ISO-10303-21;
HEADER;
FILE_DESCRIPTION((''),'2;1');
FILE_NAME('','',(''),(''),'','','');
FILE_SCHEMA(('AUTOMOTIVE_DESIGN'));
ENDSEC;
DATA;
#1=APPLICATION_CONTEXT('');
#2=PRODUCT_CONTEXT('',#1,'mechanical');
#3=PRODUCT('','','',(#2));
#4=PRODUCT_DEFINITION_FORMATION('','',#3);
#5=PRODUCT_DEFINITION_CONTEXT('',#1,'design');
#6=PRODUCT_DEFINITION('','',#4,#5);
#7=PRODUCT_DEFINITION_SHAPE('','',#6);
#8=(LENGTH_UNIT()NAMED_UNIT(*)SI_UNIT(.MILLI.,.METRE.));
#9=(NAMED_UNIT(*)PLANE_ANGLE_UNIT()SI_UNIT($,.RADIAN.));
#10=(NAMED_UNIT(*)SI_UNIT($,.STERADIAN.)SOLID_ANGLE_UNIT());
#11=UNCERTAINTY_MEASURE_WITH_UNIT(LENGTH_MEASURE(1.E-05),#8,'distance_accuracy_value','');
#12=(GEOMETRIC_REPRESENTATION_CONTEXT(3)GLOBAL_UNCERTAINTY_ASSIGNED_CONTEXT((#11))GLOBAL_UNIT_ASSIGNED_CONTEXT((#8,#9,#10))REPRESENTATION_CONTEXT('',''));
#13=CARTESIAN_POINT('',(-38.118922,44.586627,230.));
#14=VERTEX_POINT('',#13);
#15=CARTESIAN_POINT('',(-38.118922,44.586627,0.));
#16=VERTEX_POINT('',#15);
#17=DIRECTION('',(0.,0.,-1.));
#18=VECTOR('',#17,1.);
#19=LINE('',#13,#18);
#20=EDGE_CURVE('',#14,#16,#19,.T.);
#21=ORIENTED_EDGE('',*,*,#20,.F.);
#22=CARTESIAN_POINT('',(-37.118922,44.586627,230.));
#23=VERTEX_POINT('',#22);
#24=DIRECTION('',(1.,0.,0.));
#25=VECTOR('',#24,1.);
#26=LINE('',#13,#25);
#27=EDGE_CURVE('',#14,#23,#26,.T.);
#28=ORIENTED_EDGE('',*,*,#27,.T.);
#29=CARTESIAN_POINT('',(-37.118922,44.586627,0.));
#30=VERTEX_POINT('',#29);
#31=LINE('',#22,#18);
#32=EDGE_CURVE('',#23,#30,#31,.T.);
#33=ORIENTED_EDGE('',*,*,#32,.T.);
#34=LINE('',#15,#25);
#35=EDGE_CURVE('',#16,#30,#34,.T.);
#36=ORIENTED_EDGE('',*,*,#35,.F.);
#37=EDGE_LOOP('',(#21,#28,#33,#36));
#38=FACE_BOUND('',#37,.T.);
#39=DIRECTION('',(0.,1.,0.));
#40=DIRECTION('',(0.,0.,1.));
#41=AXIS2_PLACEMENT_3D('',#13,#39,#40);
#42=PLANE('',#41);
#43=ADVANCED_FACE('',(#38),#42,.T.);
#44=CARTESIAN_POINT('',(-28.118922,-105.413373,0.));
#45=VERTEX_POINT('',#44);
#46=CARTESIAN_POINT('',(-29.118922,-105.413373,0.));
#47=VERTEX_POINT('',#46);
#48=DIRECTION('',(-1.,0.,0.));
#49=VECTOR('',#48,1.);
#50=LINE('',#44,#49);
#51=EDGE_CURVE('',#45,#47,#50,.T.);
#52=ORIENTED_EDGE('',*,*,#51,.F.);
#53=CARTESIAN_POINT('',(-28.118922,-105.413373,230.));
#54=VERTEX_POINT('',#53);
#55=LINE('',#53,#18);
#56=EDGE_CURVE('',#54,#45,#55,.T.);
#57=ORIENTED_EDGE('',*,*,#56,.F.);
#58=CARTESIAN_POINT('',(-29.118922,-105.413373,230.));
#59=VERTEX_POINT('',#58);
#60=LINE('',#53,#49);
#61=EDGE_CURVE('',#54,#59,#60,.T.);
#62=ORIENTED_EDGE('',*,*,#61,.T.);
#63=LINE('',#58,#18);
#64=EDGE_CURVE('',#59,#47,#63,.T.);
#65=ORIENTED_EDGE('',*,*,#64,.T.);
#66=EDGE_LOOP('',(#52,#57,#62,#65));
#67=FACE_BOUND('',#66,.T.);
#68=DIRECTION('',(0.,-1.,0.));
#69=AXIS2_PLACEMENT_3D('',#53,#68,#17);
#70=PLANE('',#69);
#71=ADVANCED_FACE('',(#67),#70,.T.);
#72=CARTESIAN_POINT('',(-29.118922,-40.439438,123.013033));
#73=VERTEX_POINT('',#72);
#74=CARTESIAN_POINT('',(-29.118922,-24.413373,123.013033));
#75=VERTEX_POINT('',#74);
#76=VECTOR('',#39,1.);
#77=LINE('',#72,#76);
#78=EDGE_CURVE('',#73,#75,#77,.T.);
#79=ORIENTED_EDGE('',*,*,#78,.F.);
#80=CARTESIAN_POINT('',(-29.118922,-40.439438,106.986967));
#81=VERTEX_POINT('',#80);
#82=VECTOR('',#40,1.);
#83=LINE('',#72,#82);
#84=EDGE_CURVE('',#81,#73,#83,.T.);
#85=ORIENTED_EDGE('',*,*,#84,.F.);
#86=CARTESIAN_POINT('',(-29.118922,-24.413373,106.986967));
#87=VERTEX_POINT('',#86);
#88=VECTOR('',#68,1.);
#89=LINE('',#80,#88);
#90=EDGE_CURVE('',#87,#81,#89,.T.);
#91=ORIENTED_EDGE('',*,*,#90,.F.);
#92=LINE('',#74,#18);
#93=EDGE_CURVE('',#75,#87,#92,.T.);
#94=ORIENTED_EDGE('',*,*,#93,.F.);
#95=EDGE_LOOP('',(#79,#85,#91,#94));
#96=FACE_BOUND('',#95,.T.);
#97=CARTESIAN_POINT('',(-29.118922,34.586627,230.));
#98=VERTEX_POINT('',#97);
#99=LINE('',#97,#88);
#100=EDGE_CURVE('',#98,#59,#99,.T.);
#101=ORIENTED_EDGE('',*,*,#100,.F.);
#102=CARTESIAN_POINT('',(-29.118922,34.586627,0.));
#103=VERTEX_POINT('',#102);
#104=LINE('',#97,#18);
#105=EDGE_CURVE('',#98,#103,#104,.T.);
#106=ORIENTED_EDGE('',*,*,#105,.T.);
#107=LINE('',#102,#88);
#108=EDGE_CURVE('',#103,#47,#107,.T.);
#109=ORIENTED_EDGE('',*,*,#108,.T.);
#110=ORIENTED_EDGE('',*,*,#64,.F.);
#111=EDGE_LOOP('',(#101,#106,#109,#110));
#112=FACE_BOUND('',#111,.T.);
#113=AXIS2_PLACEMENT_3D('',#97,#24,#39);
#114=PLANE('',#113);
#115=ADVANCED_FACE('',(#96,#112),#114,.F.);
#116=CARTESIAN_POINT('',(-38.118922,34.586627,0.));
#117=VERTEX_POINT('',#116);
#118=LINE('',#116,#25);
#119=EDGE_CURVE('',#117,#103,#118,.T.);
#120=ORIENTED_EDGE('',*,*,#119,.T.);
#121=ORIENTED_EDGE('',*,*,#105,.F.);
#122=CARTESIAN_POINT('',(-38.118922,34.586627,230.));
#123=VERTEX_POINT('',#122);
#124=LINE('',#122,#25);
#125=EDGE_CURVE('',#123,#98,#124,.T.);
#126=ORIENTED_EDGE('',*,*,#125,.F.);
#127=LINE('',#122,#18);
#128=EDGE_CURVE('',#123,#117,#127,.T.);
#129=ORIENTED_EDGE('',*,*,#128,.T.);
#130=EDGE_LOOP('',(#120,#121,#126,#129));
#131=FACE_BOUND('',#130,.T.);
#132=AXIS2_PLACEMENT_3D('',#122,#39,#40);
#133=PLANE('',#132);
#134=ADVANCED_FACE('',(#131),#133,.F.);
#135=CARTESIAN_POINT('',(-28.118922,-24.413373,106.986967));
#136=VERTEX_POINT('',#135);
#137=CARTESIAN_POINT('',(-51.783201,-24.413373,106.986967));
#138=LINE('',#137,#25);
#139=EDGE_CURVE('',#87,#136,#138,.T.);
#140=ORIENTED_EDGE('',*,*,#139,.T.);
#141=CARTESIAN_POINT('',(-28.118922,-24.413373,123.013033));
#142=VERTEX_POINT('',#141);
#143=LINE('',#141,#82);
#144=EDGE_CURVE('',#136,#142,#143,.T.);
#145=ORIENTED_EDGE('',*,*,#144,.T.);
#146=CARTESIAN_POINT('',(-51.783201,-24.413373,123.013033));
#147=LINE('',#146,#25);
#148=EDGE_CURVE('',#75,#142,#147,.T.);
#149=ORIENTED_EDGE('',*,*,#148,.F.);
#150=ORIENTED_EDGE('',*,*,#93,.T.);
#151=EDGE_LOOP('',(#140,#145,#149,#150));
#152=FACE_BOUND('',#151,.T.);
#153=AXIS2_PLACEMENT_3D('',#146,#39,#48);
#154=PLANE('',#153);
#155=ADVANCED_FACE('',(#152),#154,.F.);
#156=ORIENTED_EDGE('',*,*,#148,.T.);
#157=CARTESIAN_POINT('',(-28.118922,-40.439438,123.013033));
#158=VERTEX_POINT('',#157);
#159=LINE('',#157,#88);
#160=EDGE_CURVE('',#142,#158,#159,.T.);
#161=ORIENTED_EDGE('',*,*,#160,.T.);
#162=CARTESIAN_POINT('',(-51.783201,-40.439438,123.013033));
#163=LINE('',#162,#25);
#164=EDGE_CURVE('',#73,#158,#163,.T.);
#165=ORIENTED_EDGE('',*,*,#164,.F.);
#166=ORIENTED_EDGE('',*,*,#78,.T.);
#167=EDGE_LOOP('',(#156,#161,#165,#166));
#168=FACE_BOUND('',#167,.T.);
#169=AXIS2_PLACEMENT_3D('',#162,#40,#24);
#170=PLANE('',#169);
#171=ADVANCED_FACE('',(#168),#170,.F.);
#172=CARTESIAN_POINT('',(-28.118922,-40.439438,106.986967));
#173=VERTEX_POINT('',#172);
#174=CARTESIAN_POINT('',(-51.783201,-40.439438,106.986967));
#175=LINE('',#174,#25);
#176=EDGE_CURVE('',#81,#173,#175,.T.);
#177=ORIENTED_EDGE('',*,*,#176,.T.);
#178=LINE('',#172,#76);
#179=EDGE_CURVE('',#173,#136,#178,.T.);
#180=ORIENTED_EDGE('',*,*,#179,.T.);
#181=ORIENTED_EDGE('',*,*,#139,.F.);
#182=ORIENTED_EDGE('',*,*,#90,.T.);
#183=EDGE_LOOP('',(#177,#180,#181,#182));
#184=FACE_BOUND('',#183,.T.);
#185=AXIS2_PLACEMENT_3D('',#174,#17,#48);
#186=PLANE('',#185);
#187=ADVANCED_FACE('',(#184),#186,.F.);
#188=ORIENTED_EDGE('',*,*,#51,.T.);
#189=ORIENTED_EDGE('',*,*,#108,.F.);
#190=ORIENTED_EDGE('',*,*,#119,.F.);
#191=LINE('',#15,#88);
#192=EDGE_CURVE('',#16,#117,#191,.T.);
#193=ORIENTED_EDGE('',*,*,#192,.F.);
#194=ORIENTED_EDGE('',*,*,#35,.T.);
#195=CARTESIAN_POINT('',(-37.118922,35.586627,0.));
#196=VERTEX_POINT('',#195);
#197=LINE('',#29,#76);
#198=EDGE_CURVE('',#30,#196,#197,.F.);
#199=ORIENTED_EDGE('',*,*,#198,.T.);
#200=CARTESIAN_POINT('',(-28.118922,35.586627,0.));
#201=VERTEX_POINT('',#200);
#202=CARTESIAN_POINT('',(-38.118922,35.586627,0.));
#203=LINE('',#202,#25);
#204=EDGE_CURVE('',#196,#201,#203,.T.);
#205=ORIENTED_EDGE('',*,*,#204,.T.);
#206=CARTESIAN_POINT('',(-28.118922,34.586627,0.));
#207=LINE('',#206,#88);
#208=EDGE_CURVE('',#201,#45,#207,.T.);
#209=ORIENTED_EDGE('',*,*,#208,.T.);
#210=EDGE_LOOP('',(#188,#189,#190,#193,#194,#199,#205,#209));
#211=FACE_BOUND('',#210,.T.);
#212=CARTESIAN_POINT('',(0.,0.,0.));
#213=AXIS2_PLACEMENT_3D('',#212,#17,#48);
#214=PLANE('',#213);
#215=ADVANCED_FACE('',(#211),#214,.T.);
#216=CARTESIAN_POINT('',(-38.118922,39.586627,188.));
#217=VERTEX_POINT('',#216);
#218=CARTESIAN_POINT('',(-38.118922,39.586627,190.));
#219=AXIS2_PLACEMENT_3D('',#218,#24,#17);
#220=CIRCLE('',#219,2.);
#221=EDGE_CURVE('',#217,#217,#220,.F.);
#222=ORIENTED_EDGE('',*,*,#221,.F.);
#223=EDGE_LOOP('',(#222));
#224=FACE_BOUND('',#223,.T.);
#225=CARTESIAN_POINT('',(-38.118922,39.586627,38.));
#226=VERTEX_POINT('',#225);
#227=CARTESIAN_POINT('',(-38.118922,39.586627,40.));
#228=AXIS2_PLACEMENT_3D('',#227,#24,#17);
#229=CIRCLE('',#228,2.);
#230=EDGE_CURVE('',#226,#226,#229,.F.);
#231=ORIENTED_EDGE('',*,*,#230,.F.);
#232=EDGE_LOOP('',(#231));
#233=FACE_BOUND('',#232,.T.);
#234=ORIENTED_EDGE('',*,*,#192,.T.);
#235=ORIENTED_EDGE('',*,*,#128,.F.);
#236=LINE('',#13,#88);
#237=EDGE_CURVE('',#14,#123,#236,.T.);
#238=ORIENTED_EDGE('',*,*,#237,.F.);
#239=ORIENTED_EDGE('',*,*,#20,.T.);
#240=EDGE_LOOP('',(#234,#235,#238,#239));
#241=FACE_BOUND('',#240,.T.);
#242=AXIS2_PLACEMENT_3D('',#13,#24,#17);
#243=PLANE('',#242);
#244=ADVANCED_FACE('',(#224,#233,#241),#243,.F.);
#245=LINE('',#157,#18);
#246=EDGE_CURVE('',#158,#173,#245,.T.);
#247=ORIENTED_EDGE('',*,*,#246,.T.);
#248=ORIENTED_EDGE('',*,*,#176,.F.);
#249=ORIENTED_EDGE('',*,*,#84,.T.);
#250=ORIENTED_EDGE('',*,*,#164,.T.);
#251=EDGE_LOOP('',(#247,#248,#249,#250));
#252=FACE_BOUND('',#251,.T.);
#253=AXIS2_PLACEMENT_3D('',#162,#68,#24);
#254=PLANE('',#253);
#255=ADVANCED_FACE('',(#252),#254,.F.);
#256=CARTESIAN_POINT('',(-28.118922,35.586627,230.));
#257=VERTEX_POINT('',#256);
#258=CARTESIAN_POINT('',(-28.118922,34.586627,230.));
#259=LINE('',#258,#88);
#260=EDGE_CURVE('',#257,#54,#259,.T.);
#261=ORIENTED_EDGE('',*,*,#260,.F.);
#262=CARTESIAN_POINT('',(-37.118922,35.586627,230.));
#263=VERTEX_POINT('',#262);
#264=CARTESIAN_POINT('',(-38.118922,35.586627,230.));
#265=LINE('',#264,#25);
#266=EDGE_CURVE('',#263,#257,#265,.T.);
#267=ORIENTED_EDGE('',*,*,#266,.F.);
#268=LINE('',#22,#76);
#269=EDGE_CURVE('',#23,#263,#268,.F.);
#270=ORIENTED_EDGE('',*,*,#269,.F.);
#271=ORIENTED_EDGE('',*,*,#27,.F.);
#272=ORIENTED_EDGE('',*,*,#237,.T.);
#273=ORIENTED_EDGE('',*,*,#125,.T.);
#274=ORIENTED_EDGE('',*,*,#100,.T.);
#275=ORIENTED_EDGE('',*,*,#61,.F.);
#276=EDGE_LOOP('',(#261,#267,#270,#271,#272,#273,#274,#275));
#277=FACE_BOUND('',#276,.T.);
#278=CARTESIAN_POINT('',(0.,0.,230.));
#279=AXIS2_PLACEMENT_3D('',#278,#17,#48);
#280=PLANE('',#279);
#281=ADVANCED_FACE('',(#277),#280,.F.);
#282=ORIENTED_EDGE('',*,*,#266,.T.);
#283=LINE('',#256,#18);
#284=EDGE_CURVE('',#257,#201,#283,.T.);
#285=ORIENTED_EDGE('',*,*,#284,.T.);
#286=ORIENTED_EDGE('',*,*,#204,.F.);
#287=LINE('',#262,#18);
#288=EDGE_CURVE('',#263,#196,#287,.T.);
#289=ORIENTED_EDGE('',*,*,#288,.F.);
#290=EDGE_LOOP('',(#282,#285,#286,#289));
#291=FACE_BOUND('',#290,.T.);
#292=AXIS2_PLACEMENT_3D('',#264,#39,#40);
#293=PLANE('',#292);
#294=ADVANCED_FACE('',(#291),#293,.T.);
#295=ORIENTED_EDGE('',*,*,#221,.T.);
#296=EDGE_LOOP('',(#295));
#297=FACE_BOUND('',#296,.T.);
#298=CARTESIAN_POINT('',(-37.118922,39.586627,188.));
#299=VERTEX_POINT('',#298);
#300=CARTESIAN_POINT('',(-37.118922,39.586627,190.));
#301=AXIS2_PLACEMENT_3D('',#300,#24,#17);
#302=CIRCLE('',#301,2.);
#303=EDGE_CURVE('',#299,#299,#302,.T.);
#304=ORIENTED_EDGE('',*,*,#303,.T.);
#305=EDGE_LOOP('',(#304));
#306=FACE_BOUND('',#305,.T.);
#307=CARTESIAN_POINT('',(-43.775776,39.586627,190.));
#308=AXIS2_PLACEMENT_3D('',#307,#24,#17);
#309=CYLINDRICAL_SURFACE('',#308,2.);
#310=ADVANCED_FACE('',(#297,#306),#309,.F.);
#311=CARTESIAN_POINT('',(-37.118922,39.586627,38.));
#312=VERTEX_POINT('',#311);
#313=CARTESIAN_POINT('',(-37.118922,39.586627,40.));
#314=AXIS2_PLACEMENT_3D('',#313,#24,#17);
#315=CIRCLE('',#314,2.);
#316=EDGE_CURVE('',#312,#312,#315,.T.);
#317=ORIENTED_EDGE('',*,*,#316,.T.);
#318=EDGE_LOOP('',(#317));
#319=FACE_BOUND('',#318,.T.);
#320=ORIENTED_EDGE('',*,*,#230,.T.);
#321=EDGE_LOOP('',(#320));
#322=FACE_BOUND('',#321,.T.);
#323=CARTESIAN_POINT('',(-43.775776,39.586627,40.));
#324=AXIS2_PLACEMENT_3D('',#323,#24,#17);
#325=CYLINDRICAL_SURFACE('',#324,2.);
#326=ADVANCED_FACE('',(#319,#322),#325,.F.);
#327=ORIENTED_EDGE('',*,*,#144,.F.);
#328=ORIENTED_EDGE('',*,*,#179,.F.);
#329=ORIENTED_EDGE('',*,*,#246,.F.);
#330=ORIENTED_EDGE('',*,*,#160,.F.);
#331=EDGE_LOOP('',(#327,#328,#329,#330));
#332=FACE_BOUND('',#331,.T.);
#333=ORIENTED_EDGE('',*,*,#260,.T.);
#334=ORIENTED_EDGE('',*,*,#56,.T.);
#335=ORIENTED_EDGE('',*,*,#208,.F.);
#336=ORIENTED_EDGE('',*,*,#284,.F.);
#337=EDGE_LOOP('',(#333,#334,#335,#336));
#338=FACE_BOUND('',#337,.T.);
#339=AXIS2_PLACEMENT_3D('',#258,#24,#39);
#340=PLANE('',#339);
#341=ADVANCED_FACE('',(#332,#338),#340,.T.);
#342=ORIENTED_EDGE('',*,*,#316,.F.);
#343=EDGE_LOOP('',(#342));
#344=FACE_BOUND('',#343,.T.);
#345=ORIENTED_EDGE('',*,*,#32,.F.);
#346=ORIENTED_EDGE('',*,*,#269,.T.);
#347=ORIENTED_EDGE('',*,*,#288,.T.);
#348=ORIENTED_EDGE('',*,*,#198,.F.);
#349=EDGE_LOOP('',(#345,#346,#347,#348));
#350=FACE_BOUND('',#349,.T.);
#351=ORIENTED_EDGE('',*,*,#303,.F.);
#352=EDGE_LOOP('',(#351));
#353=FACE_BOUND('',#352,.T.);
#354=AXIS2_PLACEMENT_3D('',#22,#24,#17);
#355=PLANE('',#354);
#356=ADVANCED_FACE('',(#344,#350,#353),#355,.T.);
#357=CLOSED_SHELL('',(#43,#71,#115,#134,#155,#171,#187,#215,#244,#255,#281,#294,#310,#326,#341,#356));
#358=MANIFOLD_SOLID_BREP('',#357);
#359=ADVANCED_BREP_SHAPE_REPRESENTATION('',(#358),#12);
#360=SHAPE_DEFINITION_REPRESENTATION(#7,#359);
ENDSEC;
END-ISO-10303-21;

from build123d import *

# Parameters (mm, degrees)
EXTRUIR_L_MINA1_DEPTH = 230
CROQUIS2_R            = 2
CORTAR_EXTRUIR1_DEPTH = 1
CROQUIS3_W            = 16.026065554
CROQUIS3_H            = 16.026065555
CORTAR_EXTRUIR2_DEPTH = 1


with BuildPart() as part:
    # Croquis1 → Extruir-Lámina1 (new body)
    with BuildSketch(Plane.XY):
        Polygon((-38.118921946, 44.586627311), (-38.118921946, 34.586627311), (-29.118921946, 34.586627311), (-29.118921946, -105.413372689), (-28.118921946, -105.413372689), (-28.118921946, 35.586627311), (-37.118921946, 35.586627311), (-37.118921946, 44.586627311), align=None)
    extrude(amount=EXTRUIR_L_MINA1_DEPTH)

    # Croquis2 → Cortar-Extruir1 (cut)
    with BuildSketch(Plane(origin=(-37.118921946, 0, 0), x_dir=(0, 0, -1), z_dir=(1, 0, 0))):
        with Locations((-190, 39.586627311)):
            Circle(CROQUIS2_R)
        with Locations((-40, 39.586627311)):
            Circle(CROQUIS2_R)
    extrude(amount=-CORTAR_EXTRUIR1_DEPTH, mode=Mode.SUBTRACT)

    # Croquis3 → Cortar-Extruir2 (cut)
    with BuildSketch(Plane(origin=(-28.118921946, 0, 0), x_dir=(0, 0, -1), z_dir=(1, 0, 0))):
        with Locations((-115, -32.426405467)):
            Rectangle(CROQUIS3_W, CROQUIS3_H)
    extrude(amount=-CORTAR_EXTRUIR2_DEPTH, mode=Mode.SUBTRACT)


solid = part.part
